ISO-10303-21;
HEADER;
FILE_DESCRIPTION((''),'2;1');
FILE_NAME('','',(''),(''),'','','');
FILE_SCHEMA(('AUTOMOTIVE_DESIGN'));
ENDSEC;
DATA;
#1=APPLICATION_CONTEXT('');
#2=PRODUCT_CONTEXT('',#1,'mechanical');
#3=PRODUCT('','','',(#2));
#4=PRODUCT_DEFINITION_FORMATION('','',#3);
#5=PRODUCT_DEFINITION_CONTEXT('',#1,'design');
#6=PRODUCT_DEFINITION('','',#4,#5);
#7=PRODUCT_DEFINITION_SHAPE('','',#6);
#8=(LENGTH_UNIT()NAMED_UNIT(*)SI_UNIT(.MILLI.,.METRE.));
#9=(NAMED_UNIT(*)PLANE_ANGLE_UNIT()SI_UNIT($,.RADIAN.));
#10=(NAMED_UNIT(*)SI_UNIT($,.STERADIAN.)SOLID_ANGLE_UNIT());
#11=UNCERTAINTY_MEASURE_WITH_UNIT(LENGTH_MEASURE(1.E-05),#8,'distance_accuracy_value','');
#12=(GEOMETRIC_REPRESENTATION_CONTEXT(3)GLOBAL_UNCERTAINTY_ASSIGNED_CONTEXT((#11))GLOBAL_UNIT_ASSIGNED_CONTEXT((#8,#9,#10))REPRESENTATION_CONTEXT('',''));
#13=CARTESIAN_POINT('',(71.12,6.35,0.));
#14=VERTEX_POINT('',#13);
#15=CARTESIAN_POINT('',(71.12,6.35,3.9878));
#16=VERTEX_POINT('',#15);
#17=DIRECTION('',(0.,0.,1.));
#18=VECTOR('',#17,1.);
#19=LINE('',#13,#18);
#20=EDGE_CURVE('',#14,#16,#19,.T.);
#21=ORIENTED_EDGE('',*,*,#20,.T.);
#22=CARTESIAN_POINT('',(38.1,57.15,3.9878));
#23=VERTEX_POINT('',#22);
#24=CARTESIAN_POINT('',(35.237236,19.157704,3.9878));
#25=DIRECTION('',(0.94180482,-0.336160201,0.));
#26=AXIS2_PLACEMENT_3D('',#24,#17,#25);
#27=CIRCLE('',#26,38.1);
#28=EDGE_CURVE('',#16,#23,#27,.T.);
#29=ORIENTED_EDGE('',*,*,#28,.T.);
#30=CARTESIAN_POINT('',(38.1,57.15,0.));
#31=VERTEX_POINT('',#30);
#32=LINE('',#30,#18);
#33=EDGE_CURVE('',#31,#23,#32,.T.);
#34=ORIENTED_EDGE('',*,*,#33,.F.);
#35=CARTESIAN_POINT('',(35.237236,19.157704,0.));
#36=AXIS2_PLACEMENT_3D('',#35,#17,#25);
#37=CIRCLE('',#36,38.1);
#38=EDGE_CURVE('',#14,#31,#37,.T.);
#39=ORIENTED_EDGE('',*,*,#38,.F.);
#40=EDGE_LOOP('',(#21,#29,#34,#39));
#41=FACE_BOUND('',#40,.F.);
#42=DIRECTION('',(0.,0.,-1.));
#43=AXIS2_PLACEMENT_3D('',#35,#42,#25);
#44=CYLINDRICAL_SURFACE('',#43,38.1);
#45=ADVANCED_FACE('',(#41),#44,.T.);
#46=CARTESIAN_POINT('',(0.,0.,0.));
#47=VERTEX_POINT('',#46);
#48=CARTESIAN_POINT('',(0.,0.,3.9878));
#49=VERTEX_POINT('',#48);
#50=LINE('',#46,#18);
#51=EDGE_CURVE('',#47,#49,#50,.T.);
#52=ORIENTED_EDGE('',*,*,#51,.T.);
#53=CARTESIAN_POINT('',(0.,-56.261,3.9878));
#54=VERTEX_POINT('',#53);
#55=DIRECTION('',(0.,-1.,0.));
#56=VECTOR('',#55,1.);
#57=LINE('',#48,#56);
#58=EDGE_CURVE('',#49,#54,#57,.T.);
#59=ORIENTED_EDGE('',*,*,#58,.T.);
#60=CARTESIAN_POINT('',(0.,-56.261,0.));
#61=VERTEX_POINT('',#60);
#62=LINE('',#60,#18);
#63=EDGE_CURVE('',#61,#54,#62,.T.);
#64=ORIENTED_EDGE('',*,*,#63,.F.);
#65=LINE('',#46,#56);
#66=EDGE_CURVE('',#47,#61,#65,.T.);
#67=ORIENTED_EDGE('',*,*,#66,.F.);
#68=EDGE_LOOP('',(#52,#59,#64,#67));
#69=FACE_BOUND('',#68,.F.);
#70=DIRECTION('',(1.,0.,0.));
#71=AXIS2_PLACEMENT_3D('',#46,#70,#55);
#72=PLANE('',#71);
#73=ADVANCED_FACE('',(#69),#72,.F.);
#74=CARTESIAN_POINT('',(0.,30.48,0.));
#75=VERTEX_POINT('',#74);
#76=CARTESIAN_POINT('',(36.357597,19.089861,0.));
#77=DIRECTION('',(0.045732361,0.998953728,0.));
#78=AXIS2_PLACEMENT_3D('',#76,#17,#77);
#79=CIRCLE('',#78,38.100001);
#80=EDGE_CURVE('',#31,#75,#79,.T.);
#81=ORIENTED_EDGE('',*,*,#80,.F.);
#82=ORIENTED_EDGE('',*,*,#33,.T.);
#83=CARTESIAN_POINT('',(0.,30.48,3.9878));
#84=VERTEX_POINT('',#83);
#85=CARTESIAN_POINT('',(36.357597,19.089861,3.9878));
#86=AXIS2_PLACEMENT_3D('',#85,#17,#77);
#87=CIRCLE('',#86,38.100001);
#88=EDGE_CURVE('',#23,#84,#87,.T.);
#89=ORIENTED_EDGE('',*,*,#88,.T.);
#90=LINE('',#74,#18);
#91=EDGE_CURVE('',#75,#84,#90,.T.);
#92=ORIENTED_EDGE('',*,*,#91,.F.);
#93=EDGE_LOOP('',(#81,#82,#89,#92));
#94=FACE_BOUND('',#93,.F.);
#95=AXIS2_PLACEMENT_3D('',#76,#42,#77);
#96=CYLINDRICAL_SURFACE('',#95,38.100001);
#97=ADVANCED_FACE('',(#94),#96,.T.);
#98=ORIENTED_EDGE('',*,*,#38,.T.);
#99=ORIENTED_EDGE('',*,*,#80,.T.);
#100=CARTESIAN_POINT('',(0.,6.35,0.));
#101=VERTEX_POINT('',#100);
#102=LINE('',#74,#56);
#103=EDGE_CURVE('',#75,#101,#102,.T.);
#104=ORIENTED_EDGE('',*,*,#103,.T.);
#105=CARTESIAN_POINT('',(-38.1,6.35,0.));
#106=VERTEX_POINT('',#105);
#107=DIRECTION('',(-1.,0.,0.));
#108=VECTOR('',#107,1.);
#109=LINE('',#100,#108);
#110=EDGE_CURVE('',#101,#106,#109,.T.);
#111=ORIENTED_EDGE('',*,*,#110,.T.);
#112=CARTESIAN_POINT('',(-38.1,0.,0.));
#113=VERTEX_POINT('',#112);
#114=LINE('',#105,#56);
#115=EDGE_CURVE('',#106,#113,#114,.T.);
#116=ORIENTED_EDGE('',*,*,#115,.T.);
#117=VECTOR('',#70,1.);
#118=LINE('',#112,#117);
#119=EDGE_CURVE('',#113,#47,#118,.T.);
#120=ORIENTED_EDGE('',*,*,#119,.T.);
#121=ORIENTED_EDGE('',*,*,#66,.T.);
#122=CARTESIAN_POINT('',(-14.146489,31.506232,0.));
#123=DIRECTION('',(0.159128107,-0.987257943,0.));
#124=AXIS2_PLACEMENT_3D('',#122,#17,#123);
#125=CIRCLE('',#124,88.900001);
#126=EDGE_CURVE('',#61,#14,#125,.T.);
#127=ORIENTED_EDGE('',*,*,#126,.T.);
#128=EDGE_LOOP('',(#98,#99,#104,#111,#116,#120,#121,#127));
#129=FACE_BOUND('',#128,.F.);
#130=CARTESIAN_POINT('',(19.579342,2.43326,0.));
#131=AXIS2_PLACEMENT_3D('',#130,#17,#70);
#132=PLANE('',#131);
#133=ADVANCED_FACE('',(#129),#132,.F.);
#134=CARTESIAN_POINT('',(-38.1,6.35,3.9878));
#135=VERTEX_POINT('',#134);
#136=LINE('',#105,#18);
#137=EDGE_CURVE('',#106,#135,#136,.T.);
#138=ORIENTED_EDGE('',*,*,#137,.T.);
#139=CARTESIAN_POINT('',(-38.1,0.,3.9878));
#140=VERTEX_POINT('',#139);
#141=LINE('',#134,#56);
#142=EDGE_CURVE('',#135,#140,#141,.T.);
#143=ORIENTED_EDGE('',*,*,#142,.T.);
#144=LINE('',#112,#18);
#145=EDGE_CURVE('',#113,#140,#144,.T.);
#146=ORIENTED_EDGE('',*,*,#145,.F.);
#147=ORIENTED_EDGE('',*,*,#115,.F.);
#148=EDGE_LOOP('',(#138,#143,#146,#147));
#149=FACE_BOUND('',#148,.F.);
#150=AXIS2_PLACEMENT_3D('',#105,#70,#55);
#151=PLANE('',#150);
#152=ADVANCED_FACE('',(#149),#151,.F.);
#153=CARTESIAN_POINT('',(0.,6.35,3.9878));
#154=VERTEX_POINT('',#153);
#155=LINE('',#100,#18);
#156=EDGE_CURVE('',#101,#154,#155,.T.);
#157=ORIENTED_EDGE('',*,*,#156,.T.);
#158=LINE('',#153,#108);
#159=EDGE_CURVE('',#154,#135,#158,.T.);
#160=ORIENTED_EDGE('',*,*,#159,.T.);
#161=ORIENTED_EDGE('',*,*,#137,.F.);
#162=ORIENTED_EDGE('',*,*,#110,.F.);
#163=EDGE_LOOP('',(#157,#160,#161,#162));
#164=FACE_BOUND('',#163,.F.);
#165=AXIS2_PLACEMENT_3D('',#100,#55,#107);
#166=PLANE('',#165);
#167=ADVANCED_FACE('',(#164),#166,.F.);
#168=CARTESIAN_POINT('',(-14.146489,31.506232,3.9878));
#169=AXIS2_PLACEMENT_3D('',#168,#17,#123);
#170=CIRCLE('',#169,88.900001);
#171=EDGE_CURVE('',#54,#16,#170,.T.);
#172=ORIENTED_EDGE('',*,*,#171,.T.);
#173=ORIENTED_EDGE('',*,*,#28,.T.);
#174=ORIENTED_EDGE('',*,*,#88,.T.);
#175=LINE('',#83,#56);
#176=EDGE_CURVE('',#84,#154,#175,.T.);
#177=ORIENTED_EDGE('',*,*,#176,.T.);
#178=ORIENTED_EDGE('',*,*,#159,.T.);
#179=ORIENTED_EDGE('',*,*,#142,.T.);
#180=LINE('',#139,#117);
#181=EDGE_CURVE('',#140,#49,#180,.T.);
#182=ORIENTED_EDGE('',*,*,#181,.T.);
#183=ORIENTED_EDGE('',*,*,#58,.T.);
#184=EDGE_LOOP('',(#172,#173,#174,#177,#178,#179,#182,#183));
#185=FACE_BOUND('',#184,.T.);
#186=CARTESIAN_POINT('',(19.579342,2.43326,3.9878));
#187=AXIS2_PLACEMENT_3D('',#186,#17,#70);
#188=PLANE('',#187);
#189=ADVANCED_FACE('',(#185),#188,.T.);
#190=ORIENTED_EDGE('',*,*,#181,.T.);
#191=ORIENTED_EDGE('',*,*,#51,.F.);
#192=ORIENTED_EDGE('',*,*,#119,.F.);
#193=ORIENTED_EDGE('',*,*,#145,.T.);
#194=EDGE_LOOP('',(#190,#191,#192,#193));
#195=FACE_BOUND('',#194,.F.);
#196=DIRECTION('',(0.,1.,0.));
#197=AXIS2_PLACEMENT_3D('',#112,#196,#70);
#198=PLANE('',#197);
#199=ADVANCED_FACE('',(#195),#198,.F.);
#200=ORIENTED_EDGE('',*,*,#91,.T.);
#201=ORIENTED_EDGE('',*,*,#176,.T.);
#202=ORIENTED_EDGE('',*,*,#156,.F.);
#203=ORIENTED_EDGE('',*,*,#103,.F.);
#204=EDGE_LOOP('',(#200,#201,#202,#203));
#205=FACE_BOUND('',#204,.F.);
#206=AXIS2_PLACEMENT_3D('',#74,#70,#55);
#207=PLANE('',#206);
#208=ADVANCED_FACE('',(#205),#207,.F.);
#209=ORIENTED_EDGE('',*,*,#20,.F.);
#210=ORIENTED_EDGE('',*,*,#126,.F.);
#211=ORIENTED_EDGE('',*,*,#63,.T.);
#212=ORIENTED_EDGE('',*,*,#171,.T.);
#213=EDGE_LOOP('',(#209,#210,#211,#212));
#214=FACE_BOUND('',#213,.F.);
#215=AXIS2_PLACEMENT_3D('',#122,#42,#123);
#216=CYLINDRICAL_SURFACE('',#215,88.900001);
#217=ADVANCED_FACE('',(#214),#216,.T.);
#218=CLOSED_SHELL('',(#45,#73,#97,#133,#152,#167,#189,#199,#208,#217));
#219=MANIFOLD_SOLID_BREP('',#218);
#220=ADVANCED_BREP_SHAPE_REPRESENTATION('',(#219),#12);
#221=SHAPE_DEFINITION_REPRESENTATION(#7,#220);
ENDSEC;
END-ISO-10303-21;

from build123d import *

# Parameters (mm, degrees)
F1_DEPTH = 3.9878


with BuildPart() as f1:
    # F0 (on Top) → F1 (new body)
    with BuildSketch(Plane.XY):
        with BuildLine():
            Line((-38.1, 0), (0, 0))
            Line((0, 0), (0, -56.261))
            ThreePointArc((0, -56.261), (44.596761, -35.22038), (71.12, 6.35))
            ThreePointArc((71.12, 6.35), (67.181938, 39.92176), (38.1, 57.15))
            ThreePointArc((38.1, 57.15), (14.508681, 50.302599), (0, 30.48))
            Line((0, 30.48), (0, 6.35))
            Line((0, 6.35), (-38.1, 6.35))
            Line((-38.1, 6.35), (-38.1, 0))
        make_face()
    extrude(amount=F1_DEPTH)


solid = f1.part
